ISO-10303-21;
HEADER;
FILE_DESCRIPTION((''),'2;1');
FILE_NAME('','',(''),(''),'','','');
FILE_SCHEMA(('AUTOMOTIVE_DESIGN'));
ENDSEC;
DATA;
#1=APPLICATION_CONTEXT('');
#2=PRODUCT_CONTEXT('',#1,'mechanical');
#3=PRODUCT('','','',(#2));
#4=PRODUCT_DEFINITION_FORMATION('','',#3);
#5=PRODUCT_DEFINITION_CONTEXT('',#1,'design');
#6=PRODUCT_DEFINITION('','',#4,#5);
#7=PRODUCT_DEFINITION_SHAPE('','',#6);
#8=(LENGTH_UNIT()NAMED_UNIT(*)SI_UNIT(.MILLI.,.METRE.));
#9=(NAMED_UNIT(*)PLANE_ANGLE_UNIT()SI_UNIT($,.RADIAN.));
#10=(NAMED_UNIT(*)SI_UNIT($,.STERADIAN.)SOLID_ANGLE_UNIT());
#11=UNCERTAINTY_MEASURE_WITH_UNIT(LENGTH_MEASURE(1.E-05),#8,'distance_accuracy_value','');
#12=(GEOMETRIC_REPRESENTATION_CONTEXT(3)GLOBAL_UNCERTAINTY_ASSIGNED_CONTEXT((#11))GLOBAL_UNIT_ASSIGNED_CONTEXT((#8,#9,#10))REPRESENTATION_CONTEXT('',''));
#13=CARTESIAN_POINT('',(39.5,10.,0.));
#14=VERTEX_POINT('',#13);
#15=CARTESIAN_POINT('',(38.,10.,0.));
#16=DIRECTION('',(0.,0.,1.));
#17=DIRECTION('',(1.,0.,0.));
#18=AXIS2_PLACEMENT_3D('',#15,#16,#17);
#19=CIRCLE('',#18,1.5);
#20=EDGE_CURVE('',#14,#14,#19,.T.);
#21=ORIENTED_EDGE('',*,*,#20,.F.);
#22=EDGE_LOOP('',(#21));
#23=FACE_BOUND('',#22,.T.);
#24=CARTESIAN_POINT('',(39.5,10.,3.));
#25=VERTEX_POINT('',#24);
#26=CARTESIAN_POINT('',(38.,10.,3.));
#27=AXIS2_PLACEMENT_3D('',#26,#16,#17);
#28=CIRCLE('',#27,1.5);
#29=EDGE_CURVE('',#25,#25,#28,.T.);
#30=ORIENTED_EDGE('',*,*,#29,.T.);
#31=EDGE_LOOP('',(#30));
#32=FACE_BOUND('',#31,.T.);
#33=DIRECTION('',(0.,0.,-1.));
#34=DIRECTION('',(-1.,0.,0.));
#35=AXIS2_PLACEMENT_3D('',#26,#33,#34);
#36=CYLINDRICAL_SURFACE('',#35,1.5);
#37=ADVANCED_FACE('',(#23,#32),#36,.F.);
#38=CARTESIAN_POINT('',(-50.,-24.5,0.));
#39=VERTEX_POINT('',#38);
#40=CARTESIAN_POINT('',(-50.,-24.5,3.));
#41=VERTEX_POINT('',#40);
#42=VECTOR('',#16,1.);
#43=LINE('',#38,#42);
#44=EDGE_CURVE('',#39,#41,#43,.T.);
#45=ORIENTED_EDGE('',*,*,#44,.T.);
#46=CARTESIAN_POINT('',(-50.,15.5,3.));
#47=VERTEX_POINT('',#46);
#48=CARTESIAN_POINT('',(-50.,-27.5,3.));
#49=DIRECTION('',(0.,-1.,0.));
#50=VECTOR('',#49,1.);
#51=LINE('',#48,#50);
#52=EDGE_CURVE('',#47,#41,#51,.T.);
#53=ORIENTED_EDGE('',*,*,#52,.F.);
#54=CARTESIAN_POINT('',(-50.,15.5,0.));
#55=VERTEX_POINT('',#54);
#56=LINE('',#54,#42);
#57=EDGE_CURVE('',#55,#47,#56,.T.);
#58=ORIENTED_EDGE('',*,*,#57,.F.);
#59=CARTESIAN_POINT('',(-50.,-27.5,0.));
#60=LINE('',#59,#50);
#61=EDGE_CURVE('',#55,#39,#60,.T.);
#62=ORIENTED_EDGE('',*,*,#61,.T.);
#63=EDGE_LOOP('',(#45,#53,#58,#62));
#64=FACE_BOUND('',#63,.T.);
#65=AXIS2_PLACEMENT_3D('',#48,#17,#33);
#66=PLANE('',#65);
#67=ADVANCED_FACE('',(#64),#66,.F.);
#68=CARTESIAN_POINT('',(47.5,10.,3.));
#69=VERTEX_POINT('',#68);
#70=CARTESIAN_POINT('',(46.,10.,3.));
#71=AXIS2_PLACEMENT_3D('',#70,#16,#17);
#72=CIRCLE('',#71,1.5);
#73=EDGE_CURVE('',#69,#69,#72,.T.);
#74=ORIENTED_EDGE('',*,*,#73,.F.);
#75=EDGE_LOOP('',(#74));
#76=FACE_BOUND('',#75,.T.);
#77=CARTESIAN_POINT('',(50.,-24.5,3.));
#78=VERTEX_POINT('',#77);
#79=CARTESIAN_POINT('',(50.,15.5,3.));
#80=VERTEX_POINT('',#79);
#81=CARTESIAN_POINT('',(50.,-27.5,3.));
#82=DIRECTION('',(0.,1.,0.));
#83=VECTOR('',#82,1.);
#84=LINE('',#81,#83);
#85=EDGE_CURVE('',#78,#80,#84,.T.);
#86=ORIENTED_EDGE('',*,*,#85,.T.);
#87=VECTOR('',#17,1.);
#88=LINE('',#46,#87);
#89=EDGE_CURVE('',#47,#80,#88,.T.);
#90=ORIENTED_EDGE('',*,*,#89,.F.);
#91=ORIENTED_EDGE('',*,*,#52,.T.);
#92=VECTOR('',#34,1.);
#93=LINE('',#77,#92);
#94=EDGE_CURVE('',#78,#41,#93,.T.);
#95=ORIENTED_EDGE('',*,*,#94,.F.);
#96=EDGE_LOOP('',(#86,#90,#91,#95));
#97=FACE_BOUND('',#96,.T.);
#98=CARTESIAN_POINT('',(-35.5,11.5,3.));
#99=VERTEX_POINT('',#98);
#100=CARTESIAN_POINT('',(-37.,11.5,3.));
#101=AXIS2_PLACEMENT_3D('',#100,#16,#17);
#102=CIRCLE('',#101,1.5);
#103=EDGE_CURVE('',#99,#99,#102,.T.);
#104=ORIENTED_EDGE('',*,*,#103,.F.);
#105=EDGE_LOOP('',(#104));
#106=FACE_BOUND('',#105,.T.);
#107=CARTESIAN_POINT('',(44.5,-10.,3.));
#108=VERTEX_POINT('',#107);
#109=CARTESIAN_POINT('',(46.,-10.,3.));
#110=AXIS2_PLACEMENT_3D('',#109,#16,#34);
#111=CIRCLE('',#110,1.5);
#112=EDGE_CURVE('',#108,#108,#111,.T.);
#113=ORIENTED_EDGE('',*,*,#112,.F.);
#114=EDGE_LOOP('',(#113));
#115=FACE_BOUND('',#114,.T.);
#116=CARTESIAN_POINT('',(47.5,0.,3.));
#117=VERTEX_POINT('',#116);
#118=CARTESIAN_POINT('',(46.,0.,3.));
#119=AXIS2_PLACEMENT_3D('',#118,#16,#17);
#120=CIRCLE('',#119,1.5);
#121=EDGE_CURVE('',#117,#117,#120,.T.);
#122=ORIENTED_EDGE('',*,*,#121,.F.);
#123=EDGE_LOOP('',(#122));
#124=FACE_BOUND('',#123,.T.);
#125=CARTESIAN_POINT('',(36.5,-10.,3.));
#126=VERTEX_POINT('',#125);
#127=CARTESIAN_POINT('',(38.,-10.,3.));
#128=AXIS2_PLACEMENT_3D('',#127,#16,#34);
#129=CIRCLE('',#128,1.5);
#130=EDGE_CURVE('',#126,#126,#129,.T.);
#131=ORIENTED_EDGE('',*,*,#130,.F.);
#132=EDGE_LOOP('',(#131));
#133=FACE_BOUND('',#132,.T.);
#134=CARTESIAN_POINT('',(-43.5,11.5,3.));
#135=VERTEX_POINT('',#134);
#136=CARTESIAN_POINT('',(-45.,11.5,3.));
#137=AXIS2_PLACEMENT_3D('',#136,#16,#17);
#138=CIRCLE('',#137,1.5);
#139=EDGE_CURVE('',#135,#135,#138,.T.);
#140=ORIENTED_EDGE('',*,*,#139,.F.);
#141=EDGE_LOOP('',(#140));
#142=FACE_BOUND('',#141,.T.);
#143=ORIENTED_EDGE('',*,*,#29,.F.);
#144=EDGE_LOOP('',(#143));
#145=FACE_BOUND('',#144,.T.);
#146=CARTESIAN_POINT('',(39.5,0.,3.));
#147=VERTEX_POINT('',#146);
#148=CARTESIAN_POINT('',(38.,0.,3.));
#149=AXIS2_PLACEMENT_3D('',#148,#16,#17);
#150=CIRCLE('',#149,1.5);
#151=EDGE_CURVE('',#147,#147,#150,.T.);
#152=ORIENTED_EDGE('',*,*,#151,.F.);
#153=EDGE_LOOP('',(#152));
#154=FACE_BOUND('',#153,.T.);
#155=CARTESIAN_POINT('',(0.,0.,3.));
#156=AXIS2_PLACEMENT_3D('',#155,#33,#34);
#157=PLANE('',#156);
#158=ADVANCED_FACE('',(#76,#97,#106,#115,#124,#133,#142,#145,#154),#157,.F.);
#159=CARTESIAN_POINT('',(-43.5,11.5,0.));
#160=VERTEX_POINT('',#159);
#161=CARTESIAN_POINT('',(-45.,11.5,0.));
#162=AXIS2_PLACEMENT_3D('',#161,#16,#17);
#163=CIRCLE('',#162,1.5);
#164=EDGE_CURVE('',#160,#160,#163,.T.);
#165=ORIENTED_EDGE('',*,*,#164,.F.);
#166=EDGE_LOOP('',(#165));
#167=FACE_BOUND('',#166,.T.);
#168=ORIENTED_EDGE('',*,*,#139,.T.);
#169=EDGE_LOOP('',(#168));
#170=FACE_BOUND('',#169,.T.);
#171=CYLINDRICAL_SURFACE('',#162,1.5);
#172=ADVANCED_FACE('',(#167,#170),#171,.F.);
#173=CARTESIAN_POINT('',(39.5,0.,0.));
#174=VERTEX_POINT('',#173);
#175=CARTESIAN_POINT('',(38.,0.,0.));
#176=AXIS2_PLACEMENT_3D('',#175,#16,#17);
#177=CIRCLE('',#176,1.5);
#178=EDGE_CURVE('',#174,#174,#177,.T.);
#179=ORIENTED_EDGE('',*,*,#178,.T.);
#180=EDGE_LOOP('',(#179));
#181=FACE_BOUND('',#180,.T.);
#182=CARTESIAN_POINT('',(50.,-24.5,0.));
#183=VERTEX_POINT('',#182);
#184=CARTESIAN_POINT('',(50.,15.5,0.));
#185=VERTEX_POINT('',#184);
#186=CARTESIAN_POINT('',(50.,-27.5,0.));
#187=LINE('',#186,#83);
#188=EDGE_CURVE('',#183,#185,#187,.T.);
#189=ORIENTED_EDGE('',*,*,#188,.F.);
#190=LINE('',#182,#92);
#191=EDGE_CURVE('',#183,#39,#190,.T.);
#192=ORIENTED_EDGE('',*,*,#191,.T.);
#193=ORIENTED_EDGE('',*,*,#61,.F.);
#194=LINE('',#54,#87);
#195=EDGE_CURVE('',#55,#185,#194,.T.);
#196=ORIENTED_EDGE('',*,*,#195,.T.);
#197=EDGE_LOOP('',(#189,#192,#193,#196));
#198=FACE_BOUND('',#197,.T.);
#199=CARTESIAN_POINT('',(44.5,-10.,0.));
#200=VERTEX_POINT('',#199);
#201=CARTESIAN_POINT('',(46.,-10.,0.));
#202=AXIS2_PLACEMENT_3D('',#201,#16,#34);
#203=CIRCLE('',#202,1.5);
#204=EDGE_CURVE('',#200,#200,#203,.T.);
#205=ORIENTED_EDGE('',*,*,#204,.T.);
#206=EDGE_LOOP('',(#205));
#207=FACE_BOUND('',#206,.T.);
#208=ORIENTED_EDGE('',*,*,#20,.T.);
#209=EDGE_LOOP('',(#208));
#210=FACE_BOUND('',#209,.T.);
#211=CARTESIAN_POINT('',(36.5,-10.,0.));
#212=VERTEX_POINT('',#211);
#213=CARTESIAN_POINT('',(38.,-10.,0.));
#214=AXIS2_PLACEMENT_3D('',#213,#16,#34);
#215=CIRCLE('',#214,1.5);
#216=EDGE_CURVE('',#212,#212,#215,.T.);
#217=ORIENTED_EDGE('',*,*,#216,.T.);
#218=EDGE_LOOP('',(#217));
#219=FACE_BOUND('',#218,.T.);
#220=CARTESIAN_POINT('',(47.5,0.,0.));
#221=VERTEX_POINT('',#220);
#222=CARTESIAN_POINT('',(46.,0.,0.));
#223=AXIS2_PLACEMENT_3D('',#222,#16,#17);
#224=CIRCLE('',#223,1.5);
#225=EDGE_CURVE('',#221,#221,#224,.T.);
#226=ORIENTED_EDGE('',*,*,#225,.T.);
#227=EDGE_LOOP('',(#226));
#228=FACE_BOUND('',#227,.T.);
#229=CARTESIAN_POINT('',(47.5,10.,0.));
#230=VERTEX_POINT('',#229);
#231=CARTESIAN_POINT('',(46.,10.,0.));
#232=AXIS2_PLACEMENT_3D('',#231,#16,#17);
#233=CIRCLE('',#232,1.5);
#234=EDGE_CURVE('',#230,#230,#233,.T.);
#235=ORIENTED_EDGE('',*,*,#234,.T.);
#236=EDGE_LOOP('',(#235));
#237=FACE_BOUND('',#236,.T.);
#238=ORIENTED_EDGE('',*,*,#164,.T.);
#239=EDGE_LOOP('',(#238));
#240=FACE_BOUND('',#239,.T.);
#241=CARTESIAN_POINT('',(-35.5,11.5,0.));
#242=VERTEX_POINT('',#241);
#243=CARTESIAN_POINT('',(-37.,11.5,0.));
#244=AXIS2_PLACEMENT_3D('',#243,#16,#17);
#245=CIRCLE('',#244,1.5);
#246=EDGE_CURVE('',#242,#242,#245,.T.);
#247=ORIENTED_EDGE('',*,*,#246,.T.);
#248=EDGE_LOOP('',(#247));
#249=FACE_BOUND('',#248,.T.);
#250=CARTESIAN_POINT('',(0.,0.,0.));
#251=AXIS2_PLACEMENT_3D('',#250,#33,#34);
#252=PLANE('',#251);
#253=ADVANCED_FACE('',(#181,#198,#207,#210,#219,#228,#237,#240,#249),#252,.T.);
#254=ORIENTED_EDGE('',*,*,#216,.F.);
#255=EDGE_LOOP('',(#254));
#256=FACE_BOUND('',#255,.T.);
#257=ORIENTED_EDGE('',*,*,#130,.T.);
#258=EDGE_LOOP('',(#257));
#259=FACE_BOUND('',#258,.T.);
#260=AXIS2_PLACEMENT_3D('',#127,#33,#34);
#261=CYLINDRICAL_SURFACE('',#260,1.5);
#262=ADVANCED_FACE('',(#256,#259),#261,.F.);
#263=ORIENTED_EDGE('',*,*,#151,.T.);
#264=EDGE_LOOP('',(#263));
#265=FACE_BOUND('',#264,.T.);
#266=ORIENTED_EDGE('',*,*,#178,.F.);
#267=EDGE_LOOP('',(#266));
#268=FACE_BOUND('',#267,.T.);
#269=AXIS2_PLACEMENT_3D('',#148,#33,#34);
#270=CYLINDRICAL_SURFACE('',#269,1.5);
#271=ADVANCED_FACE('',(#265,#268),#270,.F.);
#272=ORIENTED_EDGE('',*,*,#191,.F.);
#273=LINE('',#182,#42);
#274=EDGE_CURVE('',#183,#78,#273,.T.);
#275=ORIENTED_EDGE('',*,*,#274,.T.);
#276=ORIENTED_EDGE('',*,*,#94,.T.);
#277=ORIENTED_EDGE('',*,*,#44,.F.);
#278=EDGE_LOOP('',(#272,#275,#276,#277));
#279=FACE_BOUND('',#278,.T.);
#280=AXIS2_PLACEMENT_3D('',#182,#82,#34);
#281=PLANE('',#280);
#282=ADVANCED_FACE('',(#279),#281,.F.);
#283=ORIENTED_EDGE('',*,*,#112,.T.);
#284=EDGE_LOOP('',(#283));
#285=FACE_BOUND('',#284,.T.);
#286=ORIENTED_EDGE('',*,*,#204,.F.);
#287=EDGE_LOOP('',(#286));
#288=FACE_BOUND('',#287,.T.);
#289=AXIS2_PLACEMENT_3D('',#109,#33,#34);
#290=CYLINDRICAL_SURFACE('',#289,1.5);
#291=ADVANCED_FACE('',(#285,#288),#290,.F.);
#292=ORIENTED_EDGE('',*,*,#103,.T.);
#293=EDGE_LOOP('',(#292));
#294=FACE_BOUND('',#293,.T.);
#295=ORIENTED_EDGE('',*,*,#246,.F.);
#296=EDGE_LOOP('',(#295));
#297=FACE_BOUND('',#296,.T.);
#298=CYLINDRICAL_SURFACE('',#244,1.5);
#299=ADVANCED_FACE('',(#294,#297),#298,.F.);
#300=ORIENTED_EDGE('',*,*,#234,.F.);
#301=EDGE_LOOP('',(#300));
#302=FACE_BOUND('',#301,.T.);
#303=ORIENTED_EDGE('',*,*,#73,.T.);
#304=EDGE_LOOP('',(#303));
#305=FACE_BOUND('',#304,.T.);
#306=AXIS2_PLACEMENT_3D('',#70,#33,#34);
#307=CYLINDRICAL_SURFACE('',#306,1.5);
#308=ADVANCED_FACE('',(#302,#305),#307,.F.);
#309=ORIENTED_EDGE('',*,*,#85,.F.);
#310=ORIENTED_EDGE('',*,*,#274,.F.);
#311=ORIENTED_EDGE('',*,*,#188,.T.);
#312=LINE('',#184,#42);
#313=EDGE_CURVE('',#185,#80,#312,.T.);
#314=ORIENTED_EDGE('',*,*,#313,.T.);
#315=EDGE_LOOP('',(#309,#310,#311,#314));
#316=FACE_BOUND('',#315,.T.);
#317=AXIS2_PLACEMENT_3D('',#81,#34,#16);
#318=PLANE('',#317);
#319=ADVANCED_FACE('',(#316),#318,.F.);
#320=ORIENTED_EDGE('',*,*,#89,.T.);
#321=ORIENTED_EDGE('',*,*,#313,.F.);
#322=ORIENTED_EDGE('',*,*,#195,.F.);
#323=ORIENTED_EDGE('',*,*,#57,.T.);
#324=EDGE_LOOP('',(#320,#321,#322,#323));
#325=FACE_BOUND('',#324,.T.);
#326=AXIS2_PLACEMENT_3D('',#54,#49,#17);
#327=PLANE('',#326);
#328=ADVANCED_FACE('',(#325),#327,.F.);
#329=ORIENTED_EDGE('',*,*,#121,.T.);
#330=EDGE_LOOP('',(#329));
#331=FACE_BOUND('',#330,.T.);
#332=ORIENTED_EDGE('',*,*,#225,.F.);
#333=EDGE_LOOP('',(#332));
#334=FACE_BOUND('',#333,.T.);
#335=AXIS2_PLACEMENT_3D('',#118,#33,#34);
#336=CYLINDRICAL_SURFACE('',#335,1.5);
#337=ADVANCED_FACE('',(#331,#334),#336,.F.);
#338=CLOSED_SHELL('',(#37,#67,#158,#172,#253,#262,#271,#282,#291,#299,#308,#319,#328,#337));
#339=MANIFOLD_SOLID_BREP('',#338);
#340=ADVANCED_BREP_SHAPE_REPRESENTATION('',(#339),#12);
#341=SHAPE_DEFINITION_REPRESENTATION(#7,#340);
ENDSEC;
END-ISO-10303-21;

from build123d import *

# Parameters (mm, degrees)
SKETCH1_W           = 100
SKETCH1_H           = 55
SKETCH1_R           = 1.5
BOSS_EXTRUDE1_DEPTH = 3
SKETCH2_W           = 100
SKETCH2_H           = 12
CUT_EXTRUDE1_DEPTH  = 58.142366069
SKETCH3_W           = 100
SKETCH3_H           = 3
CUT_EXTRUDE2_DEPTH  = 58.142366069
SKETCH4_R           = 1.5
CUT_EXTRUDE3_DEPTH  = 56.760649207


with BuildPart() as part:
    # Sketch1 → Boss-Extrude1 (new body)
    with BuildSketch(Plane.XY):
        Rectangle(SKETCH1_W, SKETCH1_H)
        with Locations((38, 10)):
            Circle(SKETCH1_R, mode=Mode.SUBTRACT)
        with Locations((46, 10)):
            Circle(SKETCH1_R, mode=Mode.SUBTRACT)
        with Locations(Location((46, -10, 0), (0, 0, 180))):
            Circle(SKETCH1_R, mode=Mode.SUBTRACT)
        with Locations(Location((38, -10, 0), (0, 0, 180))):
            Circle(SKETCH1_R, mode=Mode.SUBTRACT)
        with Locations((38, 0)):
            Circle(SKETCH1_R, mode=Mode.SUBTRACT)
        with Locations((46, 0)):
            Circle(SKETCH1_R, mode=Mode.SUBTRACT)
    extrude(amount=BOSS_EXTRUDE1_DEPTH)

    # Sketch2 → Cut-Extrude1 (cut, through all)
    with BuildSketch(Plane.XY.offset(3)):
        with Locations((0, 21.5)):
            Rectangle(SKETCH2_W, SKETCH2_H)
    extrude(amount=-CUT_EXTRUDE1_DEPTH, mode=Mode.SUBTRACT)

    # Sketch3 → Cut-Extrude2 (cut, through all)
    with BuildSketch(Plane.XY.offset(3)):
        with Locations((0, -26)):
            Rectangle(SKETCH3_W, SKETCH3_H)
    extrude(amount=-CUT_EXTRUDE2_DEPTH, mode=Mode.SUBTRACT)

    # Sketch4 → Cut-Extrude3 (cut, through all)
    with BuildSketch(Plane.XY.offset(3)):
        with Locations((-45, 11.5)):
            Circle(SKETCH4_R)
        with Locations((-37, 11.5)):
            Circle(SKETCH4_R)
    extrude(amount=-CUT_EXTRUDE3_DEPTH, mode=Mode.SUBTRACT)


solid = part.part
